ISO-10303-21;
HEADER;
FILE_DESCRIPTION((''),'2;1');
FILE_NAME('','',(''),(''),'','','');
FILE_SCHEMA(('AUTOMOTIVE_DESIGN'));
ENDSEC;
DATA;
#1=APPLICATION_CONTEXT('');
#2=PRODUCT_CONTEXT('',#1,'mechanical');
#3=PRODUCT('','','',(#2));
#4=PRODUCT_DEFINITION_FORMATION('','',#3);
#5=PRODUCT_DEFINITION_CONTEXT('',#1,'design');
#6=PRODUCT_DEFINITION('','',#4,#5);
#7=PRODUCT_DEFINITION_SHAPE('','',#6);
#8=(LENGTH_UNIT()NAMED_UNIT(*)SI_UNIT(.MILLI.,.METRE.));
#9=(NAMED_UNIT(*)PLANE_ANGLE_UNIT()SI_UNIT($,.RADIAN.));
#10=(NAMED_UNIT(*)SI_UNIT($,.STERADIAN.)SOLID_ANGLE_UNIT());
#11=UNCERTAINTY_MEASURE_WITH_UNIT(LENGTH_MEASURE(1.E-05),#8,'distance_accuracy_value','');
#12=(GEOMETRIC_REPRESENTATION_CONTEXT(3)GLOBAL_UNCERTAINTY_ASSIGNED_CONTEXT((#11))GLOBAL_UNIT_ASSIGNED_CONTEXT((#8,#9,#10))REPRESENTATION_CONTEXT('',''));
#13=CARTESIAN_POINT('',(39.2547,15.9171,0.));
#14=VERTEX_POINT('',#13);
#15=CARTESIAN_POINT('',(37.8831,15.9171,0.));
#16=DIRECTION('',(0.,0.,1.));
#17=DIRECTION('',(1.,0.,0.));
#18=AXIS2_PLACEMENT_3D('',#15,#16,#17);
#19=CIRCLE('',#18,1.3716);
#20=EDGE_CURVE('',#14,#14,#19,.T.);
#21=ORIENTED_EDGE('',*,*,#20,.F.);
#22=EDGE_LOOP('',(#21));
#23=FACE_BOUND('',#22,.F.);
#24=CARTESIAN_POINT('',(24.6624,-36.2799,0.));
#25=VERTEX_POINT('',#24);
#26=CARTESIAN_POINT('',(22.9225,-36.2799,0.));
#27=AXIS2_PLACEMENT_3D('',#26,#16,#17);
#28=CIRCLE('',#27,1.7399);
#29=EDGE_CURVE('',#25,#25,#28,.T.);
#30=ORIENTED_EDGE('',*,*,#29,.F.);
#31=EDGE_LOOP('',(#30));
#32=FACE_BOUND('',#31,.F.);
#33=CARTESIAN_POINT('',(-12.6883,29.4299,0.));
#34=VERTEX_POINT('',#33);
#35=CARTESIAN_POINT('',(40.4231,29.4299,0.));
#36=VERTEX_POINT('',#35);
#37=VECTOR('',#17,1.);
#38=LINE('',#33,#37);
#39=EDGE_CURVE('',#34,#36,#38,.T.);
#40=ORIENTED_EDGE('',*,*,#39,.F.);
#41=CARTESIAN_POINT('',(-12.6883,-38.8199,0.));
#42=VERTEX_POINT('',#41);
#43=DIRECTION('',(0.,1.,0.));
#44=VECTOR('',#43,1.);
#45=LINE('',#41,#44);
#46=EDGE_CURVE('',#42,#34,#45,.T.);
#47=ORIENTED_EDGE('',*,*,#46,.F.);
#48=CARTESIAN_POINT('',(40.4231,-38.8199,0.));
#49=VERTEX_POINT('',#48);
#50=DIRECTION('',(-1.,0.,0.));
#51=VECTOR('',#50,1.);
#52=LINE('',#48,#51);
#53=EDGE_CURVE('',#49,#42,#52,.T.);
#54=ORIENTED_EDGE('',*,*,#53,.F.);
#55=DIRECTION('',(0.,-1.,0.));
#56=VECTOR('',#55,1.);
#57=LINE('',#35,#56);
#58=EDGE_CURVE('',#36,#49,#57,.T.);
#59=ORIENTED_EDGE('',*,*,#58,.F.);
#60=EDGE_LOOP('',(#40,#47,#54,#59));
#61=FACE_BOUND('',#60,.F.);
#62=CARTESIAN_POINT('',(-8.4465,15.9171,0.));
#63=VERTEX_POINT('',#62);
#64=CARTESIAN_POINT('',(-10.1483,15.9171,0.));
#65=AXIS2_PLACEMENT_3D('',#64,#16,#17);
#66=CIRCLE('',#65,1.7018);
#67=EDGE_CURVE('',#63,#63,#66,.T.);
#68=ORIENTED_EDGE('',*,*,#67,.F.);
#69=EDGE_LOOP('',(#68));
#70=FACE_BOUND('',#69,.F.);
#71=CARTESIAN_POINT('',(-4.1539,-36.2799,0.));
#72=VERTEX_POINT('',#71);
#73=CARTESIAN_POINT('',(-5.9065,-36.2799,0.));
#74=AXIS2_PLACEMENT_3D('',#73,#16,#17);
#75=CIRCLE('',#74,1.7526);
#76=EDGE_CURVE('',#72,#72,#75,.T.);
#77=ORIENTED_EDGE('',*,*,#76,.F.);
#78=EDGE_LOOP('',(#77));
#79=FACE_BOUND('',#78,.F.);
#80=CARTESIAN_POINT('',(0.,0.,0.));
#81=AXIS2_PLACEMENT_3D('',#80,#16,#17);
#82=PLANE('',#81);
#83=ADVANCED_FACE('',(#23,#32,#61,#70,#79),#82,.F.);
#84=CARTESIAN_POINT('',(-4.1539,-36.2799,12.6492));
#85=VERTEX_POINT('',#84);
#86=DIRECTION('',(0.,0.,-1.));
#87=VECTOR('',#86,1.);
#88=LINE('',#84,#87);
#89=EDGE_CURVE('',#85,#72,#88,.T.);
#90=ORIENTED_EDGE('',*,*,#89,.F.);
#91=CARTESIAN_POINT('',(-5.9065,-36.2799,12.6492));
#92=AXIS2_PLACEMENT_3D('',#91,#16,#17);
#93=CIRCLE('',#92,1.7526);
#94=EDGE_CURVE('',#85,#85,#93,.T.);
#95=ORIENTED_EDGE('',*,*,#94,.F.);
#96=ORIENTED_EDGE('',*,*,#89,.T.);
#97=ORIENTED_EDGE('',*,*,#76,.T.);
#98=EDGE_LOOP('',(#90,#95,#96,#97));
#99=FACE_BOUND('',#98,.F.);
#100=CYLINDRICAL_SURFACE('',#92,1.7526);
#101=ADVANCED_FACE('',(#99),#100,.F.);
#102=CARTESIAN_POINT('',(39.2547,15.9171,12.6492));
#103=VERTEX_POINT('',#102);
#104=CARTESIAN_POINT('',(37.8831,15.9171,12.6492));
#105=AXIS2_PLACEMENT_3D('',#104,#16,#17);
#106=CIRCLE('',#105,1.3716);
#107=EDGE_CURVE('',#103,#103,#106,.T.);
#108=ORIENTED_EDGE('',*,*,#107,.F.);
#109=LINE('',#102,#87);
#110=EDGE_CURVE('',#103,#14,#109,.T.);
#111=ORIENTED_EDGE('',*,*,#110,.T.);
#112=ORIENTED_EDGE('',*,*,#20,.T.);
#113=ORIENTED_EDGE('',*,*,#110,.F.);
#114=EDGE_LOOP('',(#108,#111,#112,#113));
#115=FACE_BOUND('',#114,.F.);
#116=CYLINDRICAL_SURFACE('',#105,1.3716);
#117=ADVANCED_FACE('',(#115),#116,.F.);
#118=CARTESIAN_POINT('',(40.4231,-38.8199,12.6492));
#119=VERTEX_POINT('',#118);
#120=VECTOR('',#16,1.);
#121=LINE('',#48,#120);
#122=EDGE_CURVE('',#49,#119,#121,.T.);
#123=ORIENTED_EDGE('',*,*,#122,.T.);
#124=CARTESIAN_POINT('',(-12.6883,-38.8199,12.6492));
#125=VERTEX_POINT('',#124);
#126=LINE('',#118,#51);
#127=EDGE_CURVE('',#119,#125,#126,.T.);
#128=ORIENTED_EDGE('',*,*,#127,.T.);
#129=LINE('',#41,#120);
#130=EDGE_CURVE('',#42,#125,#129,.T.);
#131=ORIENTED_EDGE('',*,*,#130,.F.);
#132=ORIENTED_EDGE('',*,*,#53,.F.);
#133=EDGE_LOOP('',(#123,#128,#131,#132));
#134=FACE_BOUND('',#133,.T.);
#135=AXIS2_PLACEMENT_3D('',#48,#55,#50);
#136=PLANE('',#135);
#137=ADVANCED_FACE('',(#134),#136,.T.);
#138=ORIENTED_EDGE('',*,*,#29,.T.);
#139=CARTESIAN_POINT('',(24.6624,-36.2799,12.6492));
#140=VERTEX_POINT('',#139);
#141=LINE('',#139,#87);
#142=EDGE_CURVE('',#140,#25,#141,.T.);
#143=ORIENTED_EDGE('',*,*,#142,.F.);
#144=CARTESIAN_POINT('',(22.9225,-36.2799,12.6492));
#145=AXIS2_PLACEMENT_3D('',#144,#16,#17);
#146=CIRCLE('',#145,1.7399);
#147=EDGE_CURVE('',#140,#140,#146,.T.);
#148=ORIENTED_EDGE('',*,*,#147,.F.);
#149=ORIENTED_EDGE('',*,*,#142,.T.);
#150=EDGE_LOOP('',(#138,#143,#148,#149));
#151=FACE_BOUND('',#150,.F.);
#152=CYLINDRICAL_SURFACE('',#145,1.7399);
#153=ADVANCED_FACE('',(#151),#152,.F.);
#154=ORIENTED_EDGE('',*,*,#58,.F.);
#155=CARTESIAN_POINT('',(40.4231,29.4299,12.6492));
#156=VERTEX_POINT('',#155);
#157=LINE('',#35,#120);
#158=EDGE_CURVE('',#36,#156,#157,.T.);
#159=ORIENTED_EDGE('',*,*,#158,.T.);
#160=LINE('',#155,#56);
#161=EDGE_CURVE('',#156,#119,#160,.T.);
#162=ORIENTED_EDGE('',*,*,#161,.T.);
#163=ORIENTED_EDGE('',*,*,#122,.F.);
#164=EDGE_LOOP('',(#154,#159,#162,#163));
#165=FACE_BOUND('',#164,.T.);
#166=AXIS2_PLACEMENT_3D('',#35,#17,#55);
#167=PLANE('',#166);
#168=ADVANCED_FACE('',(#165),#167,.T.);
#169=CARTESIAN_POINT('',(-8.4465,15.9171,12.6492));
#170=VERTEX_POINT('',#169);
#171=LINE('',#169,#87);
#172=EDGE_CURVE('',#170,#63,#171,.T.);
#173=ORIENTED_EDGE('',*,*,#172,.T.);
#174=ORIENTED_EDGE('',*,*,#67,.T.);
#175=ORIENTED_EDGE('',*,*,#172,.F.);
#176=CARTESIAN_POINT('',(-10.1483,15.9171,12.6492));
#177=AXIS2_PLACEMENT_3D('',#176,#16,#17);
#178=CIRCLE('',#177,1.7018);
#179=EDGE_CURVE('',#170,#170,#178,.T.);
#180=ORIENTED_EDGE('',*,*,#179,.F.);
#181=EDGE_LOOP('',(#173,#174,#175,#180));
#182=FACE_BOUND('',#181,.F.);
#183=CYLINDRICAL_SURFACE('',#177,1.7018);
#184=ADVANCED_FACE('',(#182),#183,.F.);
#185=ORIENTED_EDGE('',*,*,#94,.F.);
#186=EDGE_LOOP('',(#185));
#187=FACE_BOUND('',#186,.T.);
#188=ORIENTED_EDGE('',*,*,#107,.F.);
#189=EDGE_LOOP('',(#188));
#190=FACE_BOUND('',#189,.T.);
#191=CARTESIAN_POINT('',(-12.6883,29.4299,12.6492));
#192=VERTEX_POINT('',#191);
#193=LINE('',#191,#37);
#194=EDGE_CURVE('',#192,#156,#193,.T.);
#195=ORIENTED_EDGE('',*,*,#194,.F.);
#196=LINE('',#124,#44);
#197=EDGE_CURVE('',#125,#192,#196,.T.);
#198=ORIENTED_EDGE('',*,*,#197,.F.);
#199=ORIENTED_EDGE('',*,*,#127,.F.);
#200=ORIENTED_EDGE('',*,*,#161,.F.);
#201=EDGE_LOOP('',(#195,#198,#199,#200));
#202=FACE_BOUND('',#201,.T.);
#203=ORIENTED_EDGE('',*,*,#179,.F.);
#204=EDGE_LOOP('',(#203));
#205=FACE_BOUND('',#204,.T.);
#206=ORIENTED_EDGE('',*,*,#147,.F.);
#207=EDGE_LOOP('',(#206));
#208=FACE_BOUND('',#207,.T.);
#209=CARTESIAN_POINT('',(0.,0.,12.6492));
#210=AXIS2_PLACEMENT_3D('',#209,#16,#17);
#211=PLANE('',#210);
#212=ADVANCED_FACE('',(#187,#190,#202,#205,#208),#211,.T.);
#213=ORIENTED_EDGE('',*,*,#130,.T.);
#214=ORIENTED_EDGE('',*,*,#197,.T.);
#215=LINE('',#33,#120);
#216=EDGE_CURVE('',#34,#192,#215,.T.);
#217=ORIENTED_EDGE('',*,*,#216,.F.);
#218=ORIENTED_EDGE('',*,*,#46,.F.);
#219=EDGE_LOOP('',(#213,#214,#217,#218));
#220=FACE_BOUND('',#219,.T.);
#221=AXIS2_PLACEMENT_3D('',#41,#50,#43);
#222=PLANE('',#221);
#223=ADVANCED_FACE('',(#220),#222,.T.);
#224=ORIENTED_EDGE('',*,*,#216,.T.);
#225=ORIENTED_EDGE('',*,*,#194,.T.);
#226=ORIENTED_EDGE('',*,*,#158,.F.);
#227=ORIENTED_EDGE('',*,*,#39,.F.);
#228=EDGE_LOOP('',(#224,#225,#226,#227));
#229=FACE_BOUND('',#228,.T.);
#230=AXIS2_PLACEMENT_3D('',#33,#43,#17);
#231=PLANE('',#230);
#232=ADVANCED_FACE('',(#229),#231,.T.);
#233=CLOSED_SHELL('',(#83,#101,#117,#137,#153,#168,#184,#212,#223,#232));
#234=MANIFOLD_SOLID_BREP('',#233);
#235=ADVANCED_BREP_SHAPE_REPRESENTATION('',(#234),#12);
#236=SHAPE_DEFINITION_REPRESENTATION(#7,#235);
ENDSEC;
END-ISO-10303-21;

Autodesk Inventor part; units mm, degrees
ref_plane "YZ Plane" through (0, 0, 0) normal (1, 0, 0) x (0, 1, 0)
ref_plane "XZ Plane" through (0, 0, 0) normal (0, 1, 0) x (-1, 0, 0)
ref_plane "XY Plane" through (0, 0, 0) normal (0, 0, 1) x (1, 0, 0)
sketch "Sketch1" plane through (0, 0, 0) normal (0, 0, 1) x (1, 0, 0)
  line L0 (-12.6883, 29.4299) -> (40.4231, 29.4299)
  line L1 (40.4231, 29.4299) -> (40.4231, -38.8199)
  line L2 (40.4231, -38.8199) -> (-12.6883, -38.8199)
  line L3 (-12.6883, -38.8199) -> (-12.6883, 29.4299)
  point P0 (0, 0)
  dimension "d0" = 68.2498
  dimension "d1" = 53.1114
extrude "Extrusion1" add sketch "Sketch1" along normal blind 12.6492
sketch "Sketch2" plane through (0, 0, 12.6492) normal (0, 0, 1) x (1, 0, 0)
  line L0 (40.4231, -38.8199) -> (40.4231, 29.4299) projected
  circle A0 centre (-5.9065, -36.2799) radius 1.7526
  line L1 (-12.6883, -38.8199) -> (-12.6883, 29.4299) projected
  circle A1 centre (-10.1483, 15.9171) radius 1.7018
  line L2 (40.4231, 29.4299) -> (-12.6883, 29.4299) projected
  circle A2 centre (37.8831, 15.9171) radius 1.3716
  line L3 (-12.6883, -38.8199) -> (40.4231, -38.8199) projected
  point P0 (0, 0)
  dimension "d6" = 6.7818
  dimension "d7" = 3.5052
  dimension "d8" = 13.5128
  dimension "d9" = 3.4036
  dimension "d10" = 2.7432
  dimension "d18" = 2.54
  dimension "d21" = 2.54
  dimension "d22" = 2.54
extrude "Extrusion2" cut sketch "Sketch2" against normal blind 12.7 contours A1
sketch "Sketch3" plane through (0, 0, 12.6492) normal (0, 0, 1) x (1, 0, 0)
  circle A0 centre (22.9225, -36.2799) radius 1.7399
  line L0 (40.4231, -38.8199) -> (40.4231, 29.4299) projected
  line L1 (-12.6883, -38.8199) -> (40.4231, -38.8199) projected
  point P0 (0, 0)
  dimension "d13" = 17.5006
  dimension "d14" = 3.4798
  dimension "d15" = 2.54
extrude "Extrusion3" cut sketch "Sketch3" against normal blind 12.7
sketch "Sketch4" plane through (0, 0, 12.6492) normal (0, 0, 1) x (1, 0, 0)
  point P0 (0, 0)
extrude "Extrusion4" cut sketch "Sketch2" against normal blind 12.7 contours A0
extrude "Extrusion5" cut sketch "Sketch2" against normal blind 12.7 contours A2
properties part number "arduino"
